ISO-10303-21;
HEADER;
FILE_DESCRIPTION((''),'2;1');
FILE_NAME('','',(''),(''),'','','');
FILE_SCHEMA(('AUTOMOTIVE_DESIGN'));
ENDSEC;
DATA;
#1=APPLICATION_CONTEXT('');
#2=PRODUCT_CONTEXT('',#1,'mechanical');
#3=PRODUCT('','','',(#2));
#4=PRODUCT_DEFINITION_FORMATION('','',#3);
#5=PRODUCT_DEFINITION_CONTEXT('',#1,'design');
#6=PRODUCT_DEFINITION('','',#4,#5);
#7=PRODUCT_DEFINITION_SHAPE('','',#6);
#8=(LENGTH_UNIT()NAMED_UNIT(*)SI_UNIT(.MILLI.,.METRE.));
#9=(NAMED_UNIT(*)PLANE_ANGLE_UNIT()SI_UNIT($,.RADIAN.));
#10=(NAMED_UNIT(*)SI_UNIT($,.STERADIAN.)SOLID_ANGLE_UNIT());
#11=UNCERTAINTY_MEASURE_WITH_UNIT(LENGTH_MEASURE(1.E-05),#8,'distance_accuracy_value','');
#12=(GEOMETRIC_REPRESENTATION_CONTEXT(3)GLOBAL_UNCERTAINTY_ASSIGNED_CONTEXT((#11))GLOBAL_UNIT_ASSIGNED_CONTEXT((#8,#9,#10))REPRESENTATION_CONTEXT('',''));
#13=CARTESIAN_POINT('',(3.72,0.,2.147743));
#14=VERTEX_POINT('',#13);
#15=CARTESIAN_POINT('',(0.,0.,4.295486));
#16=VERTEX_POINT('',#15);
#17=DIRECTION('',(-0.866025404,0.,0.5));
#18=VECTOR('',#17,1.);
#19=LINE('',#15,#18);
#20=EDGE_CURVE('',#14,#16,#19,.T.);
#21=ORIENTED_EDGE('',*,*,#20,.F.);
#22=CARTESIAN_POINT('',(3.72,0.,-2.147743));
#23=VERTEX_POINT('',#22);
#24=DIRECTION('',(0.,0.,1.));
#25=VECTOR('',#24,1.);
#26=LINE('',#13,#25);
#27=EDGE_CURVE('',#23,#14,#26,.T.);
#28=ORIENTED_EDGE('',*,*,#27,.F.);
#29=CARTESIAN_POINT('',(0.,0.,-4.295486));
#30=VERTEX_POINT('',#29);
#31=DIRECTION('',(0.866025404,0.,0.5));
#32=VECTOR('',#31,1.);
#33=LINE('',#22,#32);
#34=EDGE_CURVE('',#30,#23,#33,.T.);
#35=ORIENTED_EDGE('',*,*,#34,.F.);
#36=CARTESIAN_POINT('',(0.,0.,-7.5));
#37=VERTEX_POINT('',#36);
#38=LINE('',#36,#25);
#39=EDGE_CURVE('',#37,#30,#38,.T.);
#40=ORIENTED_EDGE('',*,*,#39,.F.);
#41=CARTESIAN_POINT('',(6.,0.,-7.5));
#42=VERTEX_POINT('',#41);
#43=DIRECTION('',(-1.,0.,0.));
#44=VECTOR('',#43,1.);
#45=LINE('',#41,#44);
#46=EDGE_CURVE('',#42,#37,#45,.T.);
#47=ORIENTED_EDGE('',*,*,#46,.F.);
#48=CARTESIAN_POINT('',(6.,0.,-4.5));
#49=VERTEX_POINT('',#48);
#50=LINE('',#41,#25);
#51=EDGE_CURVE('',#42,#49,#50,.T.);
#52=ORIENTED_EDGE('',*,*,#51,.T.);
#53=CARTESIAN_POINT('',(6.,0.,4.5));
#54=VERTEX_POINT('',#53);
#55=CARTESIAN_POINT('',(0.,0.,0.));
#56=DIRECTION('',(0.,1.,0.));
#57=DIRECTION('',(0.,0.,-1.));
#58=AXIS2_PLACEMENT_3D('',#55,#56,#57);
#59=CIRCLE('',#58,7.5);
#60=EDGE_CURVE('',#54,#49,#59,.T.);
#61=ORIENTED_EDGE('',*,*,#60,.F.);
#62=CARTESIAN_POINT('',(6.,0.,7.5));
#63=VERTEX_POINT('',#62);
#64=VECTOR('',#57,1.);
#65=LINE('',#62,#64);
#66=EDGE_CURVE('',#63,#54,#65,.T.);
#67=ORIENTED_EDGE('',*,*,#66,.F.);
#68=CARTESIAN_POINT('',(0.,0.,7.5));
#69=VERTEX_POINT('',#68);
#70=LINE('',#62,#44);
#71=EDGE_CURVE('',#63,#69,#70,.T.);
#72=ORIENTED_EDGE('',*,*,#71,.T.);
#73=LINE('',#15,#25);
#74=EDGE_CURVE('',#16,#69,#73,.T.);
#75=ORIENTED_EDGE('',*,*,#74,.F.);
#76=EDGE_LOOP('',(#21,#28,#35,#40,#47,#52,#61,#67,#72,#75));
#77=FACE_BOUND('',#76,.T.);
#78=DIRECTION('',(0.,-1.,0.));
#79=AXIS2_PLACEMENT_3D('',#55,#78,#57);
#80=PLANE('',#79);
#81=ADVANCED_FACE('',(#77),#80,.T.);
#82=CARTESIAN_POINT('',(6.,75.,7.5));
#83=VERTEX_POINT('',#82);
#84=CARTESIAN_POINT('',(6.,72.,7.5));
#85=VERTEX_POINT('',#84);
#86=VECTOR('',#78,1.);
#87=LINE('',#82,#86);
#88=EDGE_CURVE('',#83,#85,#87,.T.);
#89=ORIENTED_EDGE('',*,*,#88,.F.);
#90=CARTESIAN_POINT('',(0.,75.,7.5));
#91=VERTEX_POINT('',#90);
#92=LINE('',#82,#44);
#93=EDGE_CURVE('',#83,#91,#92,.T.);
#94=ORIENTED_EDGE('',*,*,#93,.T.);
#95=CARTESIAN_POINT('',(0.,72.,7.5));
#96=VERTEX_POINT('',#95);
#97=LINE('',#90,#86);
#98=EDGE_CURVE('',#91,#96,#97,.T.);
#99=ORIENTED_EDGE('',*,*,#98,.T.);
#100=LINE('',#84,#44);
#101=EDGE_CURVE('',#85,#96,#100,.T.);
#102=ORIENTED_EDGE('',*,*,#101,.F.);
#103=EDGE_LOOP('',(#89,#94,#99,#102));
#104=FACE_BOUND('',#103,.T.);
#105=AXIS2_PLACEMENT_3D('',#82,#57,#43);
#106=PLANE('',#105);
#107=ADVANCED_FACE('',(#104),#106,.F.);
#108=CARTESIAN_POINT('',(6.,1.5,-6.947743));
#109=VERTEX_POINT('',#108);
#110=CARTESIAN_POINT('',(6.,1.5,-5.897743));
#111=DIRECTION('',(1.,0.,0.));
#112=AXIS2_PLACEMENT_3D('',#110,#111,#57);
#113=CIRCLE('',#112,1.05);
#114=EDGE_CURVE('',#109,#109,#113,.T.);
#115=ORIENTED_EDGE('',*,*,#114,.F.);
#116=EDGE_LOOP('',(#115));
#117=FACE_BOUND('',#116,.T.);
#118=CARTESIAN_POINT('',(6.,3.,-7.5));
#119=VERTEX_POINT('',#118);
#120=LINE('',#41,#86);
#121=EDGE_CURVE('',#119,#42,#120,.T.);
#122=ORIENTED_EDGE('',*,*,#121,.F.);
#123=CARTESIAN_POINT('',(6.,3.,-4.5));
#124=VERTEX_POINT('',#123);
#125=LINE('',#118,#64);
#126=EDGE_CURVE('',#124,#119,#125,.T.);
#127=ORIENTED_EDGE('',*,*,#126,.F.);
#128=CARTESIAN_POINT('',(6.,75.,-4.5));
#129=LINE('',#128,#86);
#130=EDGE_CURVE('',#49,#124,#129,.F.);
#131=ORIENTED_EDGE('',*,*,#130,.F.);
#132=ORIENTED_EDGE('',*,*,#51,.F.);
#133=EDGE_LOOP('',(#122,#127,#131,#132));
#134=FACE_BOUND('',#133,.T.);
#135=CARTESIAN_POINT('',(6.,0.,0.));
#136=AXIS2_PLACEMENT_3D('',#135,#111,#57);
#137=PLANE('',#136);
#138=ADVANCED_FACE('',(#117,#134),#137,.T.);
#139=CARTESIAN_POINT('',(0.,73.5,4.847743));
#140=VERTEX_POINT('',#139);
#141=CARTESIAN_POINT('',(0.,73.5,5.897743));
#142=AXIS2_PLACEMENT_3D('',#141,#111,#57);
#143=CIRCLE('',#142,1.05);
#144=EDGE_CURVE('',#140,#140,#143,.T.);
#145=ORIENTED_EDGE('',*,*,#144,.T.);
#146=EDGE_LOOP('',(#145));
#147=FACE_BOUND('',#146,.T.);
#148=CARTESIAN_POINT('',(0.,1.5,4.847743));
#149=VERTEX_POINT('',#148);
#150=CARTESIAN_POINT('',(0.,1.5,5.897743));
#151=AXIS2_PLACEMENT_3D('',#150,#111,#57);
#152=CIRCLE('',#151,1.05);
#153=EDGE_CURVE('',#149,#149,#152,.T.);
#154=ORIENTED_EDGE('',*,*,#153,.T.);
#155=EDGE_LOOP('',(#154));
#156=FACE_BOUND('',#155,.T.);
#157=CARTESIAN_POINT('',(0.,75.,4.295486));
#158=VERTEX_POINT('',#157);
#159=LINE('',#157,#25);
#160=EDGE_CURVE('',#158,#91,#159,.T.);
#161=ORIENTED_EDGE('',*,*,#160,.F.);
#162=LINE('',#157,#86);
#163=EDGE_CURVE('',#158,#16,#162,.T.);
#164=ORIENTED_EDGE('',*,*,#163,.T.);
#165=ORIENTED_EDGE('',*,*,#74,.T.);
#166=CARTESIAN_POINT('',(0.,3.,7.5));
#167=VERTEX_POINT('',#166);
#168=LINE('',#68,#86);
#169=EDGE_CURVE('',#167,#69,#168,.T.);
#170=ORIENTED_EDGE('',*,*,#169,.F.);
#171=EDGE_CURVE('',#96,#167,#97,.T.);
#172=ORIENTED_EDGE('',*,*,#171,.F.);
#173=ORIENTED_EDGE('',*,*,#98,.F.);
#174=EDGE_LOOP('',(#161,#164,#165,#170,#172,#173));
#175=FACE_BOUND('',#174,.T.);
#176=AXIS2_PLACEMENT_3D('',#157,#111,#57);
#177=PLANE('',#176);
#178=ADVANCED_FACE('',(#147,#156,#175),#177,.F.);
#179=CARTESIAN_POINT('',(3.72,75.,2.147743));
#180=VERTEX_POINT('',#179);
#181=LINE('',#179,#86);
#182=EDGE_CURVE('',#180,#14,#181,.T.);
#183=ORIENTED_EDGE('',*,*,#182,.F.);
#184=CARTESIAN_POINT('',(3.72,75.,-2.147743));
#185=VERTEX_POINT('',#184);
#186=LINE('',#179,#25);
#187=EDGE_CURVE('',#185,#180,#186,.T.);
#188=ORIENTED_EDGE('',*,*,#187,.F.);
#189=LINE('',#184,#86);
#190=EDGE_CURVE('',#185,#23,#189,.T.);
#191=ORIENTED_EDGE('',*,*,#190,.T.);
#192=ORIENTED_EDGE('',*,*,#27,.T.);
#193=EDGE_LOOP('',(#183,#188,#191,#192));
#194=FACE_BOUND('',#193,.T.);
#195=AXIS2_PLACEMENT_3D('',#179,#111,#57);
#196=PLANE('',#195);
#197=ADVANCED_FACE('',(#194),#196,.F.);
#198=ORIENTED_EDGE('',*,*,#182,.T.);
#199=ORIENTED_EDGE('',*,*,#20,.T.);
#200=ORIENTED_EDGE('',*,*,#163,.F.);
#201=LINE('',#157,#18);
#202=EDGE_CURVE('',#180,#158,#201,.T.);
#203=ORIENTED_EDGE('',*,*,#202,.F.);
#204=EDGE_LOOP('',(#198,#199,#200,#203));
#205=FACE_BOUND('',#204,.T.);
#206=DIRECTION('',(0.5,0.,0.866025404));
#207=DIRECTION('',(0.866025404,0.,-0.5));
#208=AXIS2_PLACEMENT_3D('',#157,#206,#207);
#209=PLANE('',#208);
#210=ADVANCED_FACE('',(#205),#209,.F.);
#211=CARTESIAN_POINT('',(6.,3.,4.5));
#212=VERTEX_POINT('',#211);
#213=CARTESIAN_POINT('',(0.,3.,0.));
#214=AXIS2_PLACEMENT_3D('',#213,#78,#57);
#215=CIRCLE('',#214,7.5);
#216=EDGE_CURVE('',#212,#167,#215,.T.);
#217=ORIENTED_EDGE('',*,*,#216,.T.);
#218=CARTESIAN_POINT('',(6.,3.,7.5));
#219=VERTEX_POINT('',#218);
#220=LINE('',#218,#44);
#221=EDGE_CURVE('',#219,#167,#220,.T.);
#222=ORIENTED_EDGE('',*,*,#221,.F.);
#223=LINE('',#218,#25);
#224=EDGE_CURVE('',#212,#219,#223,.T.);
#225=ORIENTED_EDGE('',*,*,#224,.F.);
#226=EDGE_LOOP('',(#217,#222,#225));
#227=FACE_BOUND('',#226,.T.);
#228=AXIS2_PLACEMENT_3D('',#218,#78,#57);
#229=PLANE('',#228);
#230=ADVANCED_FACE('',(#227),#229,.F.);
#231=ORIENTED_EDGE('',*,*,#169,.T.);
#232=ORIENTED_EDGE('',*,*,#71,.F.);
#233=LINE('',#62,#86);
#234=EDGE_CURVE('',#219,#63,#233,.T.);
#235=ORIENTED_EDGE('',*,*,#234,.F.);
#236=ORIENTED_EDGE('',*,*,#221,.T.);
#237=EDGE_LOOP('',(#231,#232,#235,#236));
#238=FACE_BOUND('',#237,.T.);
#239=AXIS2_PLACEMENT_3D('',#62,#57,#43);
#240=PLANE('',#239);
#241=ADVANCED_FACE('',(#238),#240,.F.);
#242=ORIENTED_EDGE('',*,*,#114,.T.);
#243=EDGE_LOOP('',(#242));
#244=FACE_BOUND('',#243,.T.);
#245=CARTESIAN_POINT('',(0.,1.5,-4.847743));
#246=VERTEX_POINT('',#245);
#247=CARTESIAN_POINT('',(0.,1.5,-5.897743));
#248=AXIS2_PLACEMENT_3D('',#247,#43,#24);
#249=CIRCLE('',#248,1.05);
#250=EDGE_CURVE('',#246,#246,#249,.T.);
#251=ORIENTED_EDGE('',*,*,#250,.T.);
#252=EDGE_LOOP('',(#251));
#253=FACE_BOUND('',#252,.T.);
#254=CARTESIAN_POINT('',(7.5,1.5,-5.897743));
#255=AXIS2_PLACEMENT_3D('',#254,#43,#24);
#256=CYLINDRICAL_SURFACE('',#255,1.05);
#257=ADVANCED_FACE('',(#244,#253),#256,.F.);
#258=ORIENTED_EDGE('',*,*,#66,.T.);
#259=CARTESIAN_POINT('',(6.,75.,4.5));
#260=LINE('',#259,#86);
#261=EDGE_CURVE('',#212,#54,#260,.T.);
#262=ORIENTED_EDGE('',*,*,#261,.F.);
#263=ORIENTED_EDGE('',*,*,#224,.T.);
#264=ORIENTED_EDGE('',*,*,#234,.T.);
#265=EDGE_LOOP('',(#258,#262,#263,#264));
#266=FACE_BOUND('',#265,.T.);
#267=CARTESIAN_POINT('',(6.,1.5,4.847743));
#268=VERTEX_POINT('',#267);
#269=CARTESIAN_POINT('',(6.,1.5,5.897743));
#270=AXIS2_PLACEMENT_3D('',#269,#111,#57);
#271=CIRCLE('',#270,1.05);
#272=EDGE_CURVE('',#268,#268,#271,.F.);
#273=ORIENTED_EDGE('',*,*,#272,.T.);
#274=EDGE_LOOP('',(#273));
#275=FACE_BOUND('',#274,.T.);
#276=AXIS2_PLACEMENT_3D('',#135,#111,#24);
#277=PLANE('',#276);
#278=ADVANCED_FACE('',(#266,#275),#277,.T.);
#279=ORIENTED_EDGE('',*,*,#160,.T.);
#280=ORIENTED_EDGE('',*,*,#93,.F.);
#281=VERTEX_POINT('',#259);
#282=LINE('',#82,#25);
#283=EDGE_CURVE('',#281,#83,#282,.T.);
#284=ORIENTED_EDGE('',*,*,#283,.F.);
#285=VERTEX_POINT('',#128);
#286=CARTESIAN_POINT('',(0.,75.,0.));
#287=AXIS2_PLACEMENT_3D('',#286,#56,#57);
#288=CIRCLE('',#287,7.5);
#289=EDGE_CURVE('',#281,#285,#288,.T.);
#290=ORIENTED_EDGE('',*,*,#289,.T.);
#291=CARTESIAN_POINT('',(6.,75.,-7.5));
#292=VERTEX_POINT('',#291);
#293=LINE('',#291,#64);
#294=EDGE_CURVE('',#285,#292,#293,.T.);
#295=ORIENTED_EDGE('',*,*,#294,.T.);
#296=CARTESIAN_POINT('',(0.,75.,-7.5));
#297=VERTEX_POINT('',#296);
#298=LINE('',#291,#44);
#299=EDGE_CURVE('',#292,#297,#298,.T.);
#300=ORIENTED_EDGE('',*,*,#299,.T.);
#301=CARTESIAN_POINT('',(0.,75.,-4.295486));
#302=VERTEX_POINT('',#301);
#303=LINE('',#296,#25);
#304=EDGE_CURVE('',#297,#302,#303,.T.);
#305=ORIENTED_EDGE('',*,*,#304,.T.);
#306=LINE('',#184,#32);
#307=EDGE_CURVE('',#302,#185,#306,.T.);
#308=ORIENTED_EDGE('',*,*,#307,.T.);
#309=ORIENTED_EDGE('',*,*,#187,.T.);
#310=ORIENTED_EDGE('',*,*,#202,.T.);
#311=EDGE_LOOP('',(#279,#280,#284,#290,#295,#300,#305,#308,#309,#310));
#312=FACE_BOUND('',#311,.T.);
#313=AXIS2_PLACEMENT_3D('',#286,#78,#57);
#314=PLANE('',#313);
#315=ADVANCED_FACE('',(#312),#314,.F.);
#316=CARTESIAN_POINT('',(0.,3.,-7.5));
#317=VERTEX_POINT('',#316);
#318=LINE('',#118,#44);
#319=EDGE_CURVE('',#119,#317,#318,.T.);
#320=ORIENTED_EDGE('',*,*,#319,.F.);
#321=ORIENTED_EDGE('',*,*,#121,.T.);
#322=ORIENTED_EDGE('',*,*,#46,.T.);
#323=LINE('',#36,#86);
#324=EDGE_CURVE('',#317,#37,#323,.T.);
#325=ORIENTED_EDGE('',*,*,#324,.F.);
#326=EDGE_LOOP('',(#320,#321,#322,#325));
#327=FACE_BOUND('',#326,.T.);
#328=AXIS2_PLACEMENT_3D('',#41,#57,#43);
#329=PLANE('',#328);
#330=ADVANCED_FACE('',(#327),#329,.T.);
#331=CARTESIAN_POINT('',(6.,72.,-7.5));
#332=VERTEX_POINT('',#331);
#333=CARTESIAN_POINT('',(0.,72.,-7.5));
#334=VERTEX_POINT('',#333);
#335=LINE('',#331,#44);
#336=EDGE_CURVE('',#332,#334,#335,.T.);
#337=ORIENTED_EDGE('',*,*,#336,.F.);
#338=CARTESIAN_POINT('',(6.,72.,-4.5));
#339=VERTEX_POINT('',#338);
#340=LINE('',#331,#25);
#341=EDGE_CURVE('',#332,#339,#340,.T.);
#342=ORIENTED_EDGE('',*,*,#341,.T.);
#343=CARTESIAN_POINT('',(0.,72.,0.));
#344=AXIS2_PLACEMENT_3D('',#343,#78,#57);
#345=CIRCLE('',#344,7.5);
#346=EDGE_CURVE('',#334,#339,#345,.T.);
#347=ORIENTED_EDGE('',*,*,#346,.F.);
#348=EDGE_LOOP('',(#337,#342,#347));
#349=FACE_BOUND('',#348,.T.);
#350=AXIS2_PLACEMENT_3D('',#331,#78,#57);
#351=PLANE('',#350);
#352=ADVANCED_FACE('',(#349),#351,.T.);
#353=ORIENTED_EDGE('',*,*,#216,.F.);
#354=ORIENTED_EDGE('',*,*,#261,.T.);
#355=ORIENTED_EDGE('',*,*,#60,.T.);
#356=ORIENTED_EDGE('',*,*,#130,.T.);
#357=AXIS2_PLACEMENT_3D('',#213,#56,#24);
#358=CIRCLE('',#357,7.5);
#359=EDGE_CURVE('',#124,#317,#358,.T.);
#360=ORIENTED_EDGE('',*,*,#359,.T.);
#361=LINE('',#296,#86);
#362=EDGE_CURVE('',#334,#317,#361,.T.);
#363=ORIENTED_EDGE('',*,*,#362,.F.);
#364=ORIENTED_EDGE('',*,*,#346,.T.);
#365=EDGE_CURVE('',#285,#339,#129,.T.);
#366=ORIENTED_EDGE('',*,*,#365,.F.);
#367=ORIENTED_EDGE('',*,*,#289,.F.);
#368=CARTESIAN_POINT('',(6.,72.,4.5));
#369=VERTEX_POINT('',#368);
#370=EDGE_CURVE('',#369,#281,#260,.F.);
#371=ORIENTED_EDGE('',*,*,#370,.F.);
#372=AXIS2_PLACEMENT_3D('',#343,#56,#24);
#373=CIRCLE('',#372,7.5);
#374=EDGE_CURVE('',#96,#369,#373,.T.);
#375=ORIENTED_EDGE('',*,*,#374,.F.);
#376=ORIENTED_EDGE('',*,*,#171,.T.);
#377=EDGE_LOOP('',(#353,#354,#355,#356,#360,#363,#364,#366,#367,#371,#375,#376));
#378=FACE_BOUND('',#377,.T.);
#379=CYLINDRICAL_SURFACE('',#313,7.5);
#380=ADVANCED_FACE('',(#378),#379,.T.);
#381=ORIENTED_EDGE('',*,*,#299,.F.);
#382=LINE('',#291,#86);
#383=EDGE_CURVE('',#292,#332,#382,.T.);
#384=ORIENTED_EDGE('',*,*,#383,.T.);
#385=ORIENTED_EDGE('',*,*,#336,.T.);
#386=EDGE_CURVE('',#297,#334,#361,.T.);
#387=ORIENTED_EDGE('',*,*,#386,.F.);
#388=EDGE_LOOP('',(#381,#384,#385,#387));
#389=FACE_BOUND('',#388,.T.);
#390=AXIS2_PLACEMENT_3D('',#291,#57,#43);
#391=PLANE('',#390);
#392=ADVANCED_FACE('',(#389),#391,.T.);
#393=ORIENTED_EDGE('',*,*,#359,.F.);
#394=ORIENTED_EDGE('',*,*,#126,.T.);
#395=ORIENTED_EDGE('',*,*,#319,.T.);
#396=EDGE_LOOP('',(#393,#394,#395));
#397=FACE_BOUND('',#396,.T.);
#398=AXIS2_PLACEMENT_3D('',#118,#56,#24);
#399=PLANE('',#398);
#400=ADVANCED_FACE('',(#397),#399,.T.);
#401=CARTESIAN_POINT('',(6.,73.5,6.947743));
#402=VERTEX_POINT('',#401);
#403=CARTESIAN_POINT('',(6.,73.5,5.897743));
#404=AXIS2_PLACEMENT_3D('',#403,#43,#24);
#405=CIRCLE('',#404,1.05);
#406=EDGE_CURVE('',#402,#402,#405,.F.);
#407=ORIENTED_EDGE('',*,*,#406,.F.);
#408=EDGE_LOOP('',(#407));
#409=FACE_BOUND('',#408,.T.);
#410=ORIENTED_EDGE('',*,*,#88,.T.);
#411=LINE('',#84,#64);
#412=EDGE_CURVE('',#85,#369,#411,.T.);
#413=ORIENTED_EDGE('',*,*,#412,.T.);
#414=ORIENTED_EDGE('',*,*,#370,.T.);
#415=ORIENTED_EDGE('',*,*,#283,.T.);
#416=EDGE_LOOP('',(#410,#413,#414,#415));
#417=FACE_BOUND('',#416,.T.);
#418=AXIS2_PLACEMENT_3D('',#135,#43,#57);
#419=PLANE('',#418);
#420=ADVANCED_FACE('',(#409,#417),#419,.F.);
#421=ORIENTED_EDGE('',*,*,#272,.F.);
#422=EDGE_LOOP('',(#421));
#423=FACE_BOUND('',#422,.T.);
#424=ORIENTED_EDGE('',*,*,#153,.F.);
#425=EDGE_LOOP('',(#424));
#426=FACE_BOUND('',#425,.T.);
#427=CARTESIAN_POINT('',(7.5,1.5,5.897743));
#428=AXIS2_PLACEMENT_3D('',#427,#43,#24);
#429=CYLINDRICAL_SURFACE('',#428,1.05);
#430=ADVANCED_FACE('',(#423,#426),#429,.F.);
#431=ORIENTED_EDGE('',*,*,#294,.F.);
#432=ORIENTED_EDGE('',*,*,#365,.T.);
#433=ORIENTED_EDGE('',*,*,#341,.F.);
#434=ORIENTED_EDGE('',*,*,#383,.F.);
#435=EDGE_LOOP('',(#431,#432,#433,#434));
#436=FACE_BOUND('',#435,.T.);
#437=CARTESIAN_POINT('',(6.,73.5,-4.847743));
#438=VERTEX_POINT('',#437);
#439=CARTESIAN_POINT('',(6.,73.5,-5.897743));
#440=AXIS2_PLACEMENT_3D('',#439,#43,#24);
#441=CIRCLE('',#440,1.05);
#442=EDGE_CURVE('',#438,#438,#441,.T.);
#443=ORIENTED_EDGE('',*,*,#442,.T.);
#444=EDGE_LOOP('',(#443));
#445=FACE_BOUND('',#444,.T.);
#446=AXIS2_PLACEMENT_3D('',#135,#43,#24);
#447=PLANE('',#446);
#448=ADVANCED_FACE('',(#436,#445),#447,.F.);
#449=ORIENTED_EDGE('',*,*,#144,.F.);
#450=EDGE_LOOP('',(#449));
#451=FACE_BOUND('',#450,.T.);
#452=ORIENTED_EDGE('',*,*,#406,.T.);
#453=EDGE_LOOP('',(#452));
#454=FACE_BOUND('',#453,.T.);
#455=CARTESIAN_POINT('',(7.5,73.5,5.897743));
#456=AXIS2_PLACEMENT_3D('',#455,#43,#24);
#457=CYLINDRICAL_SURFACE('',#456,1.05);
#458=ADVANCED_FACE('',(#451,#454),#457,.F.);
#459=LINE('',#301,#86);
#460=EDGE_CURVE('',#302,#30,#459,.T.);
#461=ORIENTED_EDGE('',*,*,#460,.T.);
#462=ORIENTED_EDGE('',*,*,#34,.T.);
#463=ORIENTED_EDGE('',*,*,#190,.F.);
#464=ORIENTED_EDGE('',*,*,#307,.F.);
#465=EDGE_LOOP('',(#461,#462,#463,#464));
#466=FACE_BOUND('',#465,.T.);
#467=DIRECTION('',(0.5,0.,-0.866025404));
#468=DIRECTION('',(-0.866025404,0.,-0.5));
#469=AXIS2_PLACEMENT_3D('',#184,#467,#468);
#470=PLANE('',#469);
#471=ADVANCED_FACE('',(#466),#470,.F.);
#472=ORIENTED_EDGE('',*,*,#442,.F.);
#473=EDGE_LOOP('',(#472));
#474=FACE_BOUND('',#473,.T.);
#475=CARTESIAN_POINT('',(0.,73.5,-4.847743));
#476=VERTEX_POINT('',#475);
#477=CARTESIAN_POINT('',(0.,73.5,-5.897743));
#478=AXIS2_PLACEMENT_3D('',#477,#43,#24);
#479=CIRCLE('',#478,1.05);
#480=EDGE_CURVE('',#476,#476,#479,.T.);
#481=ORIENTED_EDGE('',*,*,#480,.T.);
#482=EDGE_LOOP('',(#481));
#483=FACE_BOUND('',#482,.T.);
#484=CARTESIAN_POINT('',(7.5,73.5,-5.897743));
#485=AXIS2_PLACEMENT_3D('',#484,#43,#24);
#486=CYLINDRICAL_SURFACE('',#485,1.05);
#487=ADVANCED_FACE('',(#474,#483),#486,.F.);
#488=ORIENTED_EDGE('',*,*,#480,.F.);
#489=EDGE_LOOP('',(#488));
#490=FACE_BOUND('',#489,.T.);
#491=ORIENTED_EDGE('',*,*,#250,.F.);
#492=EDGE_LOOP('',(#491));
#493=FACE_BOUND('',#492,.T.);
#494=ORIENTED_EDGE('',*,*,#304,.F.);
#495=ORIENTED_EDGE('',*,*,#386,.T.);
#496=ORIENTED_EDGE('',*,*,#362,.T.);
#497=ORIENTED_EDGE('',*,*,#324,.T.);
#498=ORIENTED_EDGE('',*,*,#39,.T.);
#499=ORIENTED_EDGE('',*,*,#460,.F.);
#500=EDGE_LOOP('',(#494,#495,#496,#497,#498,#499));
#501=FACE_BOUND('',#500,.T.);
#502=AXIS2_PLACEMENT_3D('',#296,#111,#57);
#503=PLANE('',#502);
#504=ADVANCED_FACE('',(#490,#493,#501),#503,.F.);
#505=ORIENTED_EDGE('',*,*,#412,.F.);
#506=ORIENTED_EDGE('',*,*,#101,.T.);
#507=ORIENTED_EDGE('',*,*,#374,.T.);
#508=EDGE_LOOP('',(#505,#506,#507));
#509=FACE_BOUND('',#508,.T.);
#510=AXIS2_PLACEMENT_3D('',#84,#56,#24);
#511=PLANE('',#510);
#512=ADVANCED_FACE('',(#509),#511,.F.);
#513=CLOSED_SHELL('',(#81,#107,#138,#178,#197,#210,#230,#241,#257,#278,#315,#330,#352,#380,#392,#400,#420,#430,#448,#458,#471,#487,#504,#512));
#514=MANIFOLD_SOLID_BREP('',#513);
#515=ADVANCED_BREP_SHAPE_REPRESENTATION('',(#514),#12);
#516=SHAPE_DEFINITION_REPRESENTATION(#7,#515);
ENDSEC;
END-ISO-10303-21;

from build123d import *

# Parameters (mm, degrees)
MAIN_BODY_DEPTH                = 75
SKETCH2_W                      = 3.204513997
SKETCH2_H                      = 3
BACK_SCREW_HOLES_SUPPORT_DEPTH = 6
SKETCH3_R                      = 1.05
BACK_SCREW_HOLES_DEPTH         = 76.746287038


with BuildPart() as part:
    # Sketch1 → Main Body (new body)
    with BuildSketch(Plane(origin=(0, 0, 0), x_dir=(1, 0, 0), z_dir=(0, 1, 0))):
        with BuildLine():
            Line((0, 7.5), (0, 4.295486003))
            Line((0, 4.295486003), (3.72, 2.147743001))
            Line((3.72, 2.147743001), (3.72, -2.147743001))
            Line((3.72, -2.147743001), (0, -4.295486003))
            Line((0, -4.295486003), (0, -7.5))
            ThreePointArc((0, -7.5), (7.5, 0), (0, 7.5))
        make_face()
    extrude(amount=MAIN_BODY_DEPTH)

    # Sketch2 → Back Screw Holes Support (add)
    with BuildSketch(Plane.ZY):
        with Locations((-5.897743002, 1.5)):
            Rectangle(SKETCH2_W, SKETCH2_H)
        with Locations((-5.897743002, 73.5)):
            Rectangle(SKETCH2_W, SKETCH2_H)
    back_screw_holes_support = extrude(amount=-BACK_SCREW_HOLES_SUPPORT_DEPTH)

    # Sketch3 → Back Screw Holes (cut, through all)
    with BuildSketch(Plane.ZY):
        with Locations((-5.897743001, 73.5)):
            Circle(SKETCH3_R)
        with Locations((-5.897743001, 1.5)):
            Circle(SKETCH3_R)
    back_screw_holes = extrude(amount=-BACK_SCREW_HOLES_DEPTH, mode=Mode.SUBTRACT)

    # Front Screw Holes and Support: Back Screw Holes Support, Back Screw Holes across plane
    add(back_screw_holes_support.mirror(Plane.XY))
    add(back_screw_holes.mirror(Plane.XY), mode=Mode.SUBTRACT)


solid = part.part
